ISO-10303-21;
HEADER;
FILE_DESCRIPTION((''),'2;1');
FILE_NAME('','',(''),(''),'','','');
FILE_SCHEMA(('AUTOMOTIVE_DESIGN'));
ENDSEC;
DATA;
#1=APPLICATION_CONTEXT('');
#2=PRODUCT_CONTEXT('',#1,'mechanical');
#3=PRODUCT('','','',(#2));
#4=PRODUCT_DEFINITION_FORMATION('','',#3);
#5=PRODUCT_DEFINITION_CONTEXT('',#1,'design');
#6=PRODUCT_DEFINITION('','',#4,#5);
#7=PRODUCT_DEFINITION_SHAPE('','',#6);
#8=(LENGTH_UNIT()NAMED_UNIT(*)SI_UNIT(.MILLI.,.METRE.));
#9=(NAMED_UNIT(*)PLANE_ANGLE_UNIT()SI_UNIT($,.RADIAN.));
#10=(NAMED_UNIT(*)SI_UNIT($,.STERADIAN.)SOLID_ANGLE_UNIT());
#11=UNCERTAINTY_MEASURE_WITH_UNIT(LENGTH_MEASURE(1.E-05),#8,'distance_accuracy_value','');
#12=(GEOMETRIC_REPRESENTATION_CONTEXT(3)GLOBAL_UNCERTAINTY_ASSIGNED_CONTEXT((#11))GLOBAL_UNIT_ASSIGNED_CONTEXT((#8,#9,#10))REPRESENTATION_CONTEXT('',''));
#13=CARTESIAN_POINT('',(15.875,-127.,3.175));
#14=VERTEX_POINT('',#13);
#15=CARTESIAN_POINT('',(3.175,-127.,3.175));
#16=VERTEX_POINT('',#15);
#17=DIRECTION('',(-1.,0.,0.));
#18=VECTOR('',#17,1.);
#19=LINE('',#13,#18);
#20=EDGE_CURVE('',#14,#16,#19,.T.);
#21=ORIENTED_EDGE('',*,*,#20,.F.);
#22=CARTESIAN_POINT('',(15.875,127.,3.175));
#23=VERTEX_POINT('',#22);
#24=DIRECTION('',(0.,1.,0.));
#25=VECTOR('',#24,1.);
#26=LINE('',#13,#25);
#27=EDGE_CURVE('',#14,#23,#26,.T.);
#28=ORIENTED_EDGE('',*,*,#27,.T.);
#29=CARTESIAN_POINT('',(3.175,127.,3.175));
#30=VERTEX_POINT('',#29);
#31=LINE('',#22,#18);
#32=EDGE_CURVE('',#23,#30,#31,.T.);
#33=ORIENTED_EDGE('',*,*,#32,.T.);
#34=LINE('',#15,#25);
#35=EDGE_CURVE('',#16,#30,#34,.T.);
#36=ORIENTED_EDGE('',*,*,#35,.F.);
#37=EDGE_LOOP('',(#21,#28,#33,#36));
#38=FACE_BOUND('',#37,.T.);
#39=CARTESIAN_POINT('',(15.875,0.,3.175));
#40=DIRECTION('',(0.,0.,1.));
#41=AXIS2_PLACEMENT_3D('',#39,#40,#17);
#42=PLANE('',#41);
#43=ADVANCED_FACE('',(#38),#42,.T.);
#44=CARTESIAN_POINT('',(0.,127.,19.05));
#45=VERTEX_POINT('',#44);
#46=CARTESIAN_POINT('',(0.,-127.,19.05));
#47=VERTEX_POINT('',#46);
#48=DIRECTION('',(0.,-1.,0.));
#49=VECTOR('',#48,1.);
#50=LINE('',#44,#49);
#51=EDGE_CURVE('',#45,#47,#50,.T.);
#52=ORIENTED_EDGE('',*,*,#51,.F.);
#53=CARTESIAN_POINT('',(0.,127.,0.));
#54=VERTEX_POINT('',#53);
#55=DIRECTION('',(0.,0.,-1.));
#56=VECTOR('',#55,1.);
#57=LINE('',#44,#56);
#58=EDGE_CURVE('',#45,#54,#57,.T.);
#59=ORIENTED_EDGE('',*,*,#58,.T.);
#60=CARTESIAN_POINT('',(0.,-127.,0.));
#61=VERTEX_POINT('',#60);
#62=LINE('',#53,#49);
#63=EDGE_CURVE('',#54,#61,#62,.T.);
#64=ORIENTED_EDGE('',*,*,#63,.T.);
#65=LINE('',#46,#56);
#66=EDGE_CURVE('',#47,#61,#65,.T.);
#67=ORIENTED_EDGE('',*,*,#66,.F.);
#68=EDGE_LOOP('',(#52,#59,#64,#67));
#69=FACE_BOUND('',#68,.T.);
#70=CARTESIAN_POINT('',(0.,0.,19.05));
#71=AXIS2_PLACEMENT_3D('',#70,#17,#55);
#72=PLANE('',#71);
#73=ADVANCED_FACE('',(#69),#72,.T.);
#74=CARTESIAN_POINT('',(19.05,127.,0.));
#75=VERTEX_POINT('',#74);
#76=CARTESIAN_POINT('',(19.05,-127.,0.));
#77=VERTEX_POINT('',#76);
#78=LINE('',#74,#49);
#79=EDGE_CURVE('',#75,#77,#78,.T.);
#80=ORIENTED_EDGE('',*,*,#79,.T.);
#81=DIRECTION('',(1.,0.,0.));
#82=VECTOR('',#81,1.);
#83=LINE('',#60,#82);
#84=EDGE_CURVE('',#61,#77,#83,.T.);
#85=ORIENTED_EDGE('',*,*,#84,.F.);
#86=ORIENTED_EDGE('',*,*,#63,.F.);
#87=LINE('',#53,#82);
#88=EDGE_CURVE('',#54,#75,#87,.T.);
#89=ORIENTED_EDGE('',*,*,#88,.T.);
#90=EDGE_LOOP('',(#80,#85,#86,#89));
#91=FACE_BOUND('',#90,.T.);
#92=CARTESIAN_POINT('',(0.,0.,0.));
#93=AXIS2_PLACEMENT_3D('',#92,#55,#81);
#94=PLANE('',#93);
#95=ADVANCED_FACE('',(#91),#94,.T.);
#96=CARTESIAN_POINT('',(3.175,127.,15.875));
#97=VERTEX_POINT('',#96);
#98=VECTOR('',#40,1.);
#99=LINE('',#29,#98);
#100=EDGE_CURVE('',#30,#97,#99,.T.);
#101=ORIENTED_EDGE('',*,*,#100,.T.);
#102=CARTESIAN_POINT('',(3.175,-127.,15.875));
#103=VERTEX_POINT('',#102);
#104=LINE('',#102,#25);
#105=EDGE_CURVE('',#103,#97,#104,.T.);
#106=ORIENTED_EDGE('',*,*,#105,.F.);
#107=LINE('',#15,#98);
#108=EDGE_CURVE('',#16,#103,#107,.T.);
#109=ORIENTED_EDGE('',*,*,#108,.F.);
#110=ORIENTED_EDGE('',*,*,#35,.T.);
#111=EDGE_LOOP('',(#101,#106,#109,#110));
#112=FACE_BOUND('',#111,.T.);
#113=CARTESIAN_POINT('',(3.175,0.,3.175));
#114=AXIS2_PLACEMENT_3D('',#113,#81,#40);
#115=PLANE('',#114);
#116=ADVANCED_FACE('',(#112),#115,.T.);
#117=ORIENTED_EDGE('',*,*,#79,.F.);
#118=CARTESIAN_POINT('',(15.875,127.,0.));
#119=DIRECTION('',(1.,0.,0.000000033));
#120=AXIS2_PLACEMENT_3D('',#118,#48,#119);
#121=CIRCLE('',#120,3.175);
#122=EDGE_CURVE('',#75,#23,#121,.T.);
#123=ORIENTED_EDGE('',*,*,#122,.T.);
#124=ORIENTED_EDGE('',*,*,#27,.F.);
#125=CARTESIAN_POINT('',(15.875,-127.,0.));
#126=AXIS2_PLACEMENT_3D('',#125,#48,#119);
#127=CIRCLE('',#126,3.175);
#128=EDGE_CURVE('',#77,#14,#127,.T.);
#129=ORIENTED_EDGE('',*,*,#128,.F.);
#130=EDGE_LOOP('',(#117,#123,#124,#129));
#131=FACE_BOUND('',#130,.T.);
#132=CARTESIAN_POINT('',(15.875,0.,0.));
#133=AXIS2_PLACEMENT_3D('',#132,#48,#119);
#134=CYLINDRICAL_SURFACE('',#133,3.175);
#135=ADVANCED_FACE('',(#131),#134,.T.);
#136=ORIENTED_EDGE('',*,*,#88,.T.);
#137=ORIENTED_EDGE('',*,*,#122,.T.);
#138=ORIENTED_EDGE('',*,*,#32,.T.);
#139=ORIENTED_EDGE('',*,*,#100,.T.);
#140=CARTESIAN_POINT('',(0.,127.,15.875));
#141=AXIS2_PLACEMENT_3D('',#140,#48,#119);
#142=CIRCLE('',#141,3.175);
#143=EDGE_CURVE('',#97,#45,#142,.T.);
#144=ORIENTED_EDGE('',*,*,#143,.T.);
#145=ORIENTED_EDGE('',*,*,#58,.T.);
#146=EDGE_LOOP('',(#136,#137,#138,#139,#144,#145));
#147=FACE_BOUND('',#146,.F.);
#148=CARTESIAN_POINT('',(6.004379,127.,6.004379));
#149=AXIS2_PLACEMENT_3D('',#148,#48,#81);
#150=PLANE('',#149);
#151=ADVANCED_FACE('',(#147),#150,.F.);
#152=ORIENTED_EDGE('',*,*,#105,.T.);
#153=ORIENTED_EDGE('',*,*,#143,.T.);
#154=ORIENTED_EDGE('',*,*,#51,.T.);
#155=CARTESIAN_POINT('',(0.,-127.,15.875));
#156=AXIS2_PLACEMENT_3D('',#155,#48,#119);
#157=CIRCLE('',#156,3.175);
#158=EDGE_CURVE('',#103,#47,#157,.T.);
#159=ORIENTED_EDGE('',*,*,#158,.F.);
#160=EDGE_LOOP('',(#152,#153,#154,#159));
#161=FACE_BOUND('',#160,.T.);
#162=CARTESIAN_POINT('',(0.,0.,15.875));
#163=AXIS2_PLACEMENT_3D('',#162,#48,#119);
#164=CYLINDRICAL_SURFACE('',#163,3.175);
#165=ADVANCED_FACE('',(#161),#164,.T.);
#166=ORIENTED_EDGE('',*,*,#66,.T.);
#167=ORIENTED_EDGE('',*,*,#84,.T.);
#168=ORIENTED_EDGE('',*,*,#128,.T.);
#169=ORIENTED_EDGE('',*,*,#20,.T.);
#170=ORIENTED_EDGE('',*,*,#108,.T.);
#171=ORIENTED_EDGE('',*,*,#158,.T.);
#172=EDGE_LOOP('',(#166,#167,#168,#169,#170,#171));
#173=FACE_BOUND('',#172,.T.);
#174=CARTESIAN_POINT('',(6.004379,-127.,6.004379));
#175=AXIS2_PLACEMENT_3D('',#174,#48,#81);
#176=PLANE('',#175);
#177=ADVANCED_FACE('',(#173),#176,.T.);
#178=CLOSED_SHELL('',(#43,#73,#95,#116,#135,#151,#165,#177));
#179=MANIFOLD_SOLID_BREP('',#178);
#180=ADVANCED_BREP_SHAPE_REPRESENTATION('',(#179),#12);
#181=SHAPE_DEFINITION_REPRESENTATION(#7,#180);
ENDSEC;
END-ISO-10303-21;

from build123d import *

# Parameters (mm, degrees)
F1_DEPTH = 127


with BuildPart() as f1:
    # F0 (on Front) → F1 (new body, symmetric)
    with BuildSketch(Plane.XZ):
        with BuildLine():
            ThreePointArc((3.175, 15.875), (2.245064, 18.120064), (0, 19.05))
            Line((0, 19.05), (0, 0))
            Line((0, 0), (19.05, 0))
            ThreePointArc((19.05, 0), (18.120064, 2.245064), (15.875, 3.175))
            Line((15.875, 3.175), (3.175, 3.175))
            Line((3.175, 3.175), (3.175, 15.875))
        make_face()
    extrude(amount=F1_DEPTH, both=True)


solid = f1.part
